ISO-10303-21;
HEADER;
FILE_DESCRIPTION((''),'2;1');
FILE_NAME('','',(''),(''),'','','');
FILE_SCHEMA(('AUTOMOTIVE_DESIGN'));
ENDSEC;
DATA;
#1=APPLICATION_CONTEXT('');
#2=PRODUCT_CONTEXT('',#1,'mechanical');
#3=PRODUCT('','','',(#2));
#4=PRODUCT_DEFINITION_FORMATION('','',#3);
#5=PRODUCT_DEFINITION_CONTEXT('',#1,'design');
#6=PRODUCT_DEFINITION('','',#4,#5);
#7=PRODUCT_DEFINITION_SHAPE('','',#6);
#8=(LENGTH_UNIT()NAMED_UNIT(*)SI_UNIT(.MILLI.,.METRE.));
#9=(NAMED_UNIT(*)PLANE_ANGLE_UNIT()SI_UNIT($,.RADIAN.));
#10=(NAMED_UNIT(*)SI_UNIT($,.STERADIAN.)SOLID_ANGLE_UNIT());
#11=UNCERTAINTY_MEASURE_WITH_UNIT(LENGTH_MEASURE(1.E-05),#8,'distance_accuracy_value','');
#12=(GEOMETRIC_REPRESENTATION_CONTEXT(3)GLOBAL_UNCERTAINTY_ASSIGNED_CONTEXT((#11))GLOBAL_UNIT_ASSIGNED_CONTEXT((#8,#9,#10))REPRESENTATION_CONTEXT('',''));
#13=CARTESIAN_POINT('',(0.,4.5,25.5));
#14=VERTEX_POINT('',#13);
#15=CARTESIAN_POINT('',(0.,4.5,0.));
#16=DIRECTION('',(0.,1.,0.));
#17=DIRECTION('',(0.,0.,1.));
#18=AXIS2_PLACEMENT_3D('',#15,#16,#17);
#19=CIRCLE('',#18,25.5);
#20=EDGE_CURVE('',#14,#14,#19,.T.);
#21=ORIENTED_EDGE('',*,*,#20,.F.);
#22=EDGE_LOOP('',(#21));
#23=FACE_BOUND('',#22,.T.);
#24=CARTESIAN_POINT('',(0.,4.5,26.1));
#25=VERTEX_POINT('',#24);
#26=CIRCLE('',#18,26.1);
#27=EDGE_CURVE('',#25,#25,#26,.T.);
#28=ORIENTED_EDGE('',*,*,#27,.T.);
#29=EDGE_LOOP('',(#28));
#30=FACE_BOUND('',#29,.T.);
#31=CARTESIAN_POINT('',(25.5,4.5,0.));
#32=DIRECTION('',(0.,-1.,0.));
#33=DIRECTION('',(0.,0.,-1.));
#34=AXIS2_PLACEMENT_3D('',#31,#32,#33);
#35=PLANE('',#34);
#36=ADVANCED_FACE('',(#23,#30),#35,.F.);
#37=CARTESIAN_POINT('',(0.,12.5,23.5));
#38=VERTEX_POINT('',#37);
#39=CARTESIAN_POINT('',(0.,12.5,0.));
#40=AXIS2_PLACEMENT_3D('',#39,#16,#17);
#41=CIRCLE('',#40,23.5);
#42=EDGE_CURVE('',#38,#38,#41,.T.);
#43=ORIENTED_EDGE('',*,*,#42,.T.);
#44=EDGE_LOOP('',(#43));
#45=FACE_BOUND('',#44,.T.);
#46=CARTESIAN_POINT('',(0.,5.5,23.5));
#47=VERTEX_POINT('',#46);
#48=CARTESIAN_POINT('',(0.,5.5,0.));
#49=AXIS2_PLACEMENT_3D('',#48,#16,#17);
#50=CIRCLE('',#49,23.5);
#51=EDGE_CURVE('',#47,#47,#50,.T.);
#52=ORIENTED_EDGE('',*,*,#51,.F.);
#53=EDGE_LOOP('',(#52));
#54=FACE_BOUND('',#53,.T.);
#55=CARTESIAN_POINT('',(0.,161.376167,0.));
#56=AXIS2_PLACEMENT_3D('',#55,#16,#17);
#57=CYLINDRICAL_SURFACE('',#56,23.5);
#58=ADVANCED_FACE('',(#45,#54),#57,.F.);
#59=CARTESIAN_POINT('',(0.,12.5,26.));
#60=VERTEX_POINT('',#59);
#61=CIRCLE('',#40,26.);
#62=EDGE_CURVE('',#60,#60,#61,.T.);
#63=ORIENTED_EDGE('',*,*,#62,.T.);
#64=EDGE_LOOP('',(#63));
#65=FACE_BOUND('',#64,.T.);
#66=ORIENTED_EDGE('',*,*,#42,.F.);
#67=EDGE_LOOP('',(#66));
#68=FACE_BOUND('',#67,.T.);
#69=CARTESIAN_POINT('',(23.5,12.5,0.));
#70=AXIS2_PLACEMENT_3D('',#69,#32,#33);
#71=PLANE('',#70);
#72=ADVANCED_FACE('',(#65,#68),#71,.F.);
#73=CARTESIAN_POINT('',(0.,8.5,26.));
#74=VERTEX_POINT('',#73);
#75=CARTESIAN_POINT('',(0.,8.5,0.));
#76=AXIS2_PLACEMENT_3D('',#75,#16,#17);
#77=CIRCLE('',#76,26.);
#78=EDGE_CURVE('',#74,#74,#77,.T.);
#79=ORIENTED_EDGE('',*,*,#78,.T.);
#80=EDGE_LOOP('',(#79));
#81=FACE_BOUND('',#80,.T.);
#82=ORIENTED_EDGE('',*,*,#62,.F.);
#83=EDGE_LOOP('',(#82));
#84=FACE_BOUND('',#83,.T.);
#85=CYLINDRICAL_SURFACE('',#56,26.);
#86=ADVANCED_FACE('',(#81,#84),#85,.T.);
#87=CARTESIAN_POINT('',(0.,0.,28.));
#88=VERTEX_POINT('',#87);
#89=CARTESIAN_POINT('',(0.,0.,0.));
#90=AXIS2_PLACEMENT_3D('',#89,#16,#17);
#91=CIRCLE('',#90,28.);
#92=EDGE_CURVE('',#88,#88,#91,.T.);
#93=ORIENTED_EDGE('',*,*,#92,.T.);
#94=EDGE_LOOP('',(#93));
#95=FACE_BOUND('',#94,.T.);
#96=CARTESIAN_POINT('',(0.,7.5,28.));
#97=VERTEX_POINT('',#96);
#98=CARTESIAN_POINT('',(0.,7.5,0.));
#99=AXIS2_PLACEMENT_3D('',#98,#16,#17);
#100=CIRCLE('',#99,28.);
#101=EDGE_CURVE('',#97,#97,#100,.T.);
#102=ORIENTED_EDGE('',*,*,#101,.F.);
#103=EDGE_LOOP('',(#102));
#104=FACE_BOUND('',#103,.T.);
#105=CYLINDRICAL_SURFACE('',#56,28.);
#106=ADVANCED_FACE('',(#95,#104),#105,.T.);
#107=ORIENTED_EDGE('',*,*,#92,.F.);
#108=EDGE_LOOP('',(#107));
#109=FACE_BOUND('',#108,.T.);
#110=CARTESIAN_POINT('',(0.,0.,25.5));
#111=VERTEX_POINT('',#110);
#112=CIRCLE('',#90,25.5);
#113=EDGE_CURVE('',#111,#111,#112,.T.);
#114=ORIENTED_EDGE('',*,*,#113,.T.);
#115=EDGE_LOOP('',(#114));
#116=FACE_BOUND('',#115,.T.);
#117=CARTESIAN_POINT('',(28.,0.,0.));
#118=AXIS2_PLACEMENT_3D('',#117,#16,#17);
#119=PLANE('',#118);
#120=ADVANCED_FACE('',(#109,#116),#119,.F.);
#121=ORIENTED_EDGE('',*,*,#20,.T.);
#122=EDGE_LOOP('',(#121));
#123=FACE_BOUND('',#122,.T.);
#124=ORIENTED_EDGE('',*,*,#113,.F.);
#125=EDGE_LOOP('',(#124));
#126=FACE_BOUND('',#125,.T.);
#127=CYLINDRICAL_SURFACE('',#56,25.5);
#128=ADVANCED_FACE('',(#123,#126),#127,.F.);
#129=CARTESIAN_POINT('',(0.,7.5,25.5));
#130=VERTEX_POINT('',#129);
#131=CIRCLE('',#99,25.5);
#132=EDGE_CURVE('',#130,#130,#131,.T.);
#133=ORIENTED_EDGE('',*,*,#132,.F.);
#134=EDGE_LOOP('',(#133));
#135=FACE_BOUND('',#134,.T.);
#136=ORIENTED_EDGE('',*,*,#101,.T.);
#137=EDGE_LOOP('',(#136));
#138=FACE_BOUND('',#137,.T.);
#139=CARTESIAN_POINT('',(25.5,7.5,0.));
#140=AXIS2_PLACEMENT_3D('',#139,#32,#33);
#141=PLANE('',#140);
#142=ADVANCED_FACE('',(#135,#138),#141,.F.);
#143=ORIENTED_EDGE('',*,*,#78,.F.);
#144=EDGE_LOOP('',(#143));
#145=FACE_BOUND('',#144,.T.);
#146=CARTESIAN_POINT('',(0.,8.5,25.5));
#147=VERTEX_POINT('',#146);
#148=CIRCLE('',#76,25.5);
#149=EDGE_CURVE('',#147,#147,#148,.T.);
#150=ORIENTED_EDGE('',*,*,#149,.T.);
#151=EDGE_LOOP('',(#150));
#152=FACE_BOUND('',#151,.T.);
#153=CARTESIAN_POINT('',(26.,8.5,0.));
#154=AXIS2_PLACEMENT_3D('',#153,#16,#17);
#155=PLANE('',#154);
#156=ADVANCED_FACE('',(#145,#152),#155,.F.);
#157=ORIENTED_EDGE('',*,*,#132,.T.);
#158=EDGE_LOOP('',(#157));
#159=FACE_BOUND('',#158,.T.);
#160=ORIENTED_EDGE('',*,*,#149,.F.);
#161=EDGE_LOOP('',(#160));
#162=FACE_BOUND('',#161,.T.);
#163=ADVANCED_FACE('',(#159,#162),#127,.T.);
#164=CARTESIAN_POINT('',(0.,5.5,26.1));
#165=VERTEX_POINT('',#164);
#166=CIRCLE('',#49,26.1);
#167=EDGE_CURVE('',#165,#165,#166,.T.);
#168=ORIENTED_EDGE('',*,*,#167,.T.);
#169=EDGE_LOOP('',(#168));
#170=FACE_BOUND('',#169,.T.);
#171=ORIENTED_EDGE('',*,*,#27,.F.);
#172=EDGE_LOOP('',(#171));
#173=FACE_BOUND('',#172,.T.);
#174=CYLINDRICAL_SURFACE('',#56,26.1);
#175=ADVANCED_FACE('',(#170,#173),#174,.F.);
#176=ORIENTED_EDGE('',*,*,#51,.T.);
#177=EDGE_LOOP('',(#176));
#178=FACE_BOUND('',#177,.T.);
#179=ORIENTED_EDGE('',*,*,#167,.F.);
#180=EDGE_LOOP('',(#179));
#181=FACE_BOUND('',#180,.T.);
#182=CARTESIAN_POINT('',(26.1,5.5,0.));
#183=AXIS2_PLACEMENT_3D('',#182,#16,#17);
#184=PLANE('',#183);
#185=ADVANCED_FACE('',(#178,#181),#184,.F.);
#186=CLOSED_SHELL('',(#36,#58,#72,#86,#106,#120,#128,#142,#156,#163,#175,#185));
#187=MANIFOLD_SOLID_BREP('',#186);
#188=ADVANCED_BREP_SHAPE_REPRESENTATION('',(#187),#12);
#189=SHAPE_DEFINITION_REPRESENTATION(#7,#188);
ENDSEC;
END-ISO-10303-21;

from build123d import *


with BuildPart() as part:
    # 草图1 → 旋转1 (revolve)
    with BuildSketch(Plane.XY, mode=Mode.PRIVATE) as revolve_1_sk:
        Polygon((23.5, 12.5), (26, 12.5), (26, 8.5), (25.5, 8.5), (25.5, 7.5), (28, 7.5), (28, 0), (25.5, 0), (25.5, 4.5), (26.1, 4.5), (26.1, 5.5), (23.5, 5.5), align=None)
    revolve(revolve_1_sk.sketch.rotate(Axis((0, 161.376166943, 0), (0, -1, 0)), 90), axis=Axis((0, 161.376166943, 0), (0, -1, 0)))  # turned: the seam where the file's is


solid = part.part
